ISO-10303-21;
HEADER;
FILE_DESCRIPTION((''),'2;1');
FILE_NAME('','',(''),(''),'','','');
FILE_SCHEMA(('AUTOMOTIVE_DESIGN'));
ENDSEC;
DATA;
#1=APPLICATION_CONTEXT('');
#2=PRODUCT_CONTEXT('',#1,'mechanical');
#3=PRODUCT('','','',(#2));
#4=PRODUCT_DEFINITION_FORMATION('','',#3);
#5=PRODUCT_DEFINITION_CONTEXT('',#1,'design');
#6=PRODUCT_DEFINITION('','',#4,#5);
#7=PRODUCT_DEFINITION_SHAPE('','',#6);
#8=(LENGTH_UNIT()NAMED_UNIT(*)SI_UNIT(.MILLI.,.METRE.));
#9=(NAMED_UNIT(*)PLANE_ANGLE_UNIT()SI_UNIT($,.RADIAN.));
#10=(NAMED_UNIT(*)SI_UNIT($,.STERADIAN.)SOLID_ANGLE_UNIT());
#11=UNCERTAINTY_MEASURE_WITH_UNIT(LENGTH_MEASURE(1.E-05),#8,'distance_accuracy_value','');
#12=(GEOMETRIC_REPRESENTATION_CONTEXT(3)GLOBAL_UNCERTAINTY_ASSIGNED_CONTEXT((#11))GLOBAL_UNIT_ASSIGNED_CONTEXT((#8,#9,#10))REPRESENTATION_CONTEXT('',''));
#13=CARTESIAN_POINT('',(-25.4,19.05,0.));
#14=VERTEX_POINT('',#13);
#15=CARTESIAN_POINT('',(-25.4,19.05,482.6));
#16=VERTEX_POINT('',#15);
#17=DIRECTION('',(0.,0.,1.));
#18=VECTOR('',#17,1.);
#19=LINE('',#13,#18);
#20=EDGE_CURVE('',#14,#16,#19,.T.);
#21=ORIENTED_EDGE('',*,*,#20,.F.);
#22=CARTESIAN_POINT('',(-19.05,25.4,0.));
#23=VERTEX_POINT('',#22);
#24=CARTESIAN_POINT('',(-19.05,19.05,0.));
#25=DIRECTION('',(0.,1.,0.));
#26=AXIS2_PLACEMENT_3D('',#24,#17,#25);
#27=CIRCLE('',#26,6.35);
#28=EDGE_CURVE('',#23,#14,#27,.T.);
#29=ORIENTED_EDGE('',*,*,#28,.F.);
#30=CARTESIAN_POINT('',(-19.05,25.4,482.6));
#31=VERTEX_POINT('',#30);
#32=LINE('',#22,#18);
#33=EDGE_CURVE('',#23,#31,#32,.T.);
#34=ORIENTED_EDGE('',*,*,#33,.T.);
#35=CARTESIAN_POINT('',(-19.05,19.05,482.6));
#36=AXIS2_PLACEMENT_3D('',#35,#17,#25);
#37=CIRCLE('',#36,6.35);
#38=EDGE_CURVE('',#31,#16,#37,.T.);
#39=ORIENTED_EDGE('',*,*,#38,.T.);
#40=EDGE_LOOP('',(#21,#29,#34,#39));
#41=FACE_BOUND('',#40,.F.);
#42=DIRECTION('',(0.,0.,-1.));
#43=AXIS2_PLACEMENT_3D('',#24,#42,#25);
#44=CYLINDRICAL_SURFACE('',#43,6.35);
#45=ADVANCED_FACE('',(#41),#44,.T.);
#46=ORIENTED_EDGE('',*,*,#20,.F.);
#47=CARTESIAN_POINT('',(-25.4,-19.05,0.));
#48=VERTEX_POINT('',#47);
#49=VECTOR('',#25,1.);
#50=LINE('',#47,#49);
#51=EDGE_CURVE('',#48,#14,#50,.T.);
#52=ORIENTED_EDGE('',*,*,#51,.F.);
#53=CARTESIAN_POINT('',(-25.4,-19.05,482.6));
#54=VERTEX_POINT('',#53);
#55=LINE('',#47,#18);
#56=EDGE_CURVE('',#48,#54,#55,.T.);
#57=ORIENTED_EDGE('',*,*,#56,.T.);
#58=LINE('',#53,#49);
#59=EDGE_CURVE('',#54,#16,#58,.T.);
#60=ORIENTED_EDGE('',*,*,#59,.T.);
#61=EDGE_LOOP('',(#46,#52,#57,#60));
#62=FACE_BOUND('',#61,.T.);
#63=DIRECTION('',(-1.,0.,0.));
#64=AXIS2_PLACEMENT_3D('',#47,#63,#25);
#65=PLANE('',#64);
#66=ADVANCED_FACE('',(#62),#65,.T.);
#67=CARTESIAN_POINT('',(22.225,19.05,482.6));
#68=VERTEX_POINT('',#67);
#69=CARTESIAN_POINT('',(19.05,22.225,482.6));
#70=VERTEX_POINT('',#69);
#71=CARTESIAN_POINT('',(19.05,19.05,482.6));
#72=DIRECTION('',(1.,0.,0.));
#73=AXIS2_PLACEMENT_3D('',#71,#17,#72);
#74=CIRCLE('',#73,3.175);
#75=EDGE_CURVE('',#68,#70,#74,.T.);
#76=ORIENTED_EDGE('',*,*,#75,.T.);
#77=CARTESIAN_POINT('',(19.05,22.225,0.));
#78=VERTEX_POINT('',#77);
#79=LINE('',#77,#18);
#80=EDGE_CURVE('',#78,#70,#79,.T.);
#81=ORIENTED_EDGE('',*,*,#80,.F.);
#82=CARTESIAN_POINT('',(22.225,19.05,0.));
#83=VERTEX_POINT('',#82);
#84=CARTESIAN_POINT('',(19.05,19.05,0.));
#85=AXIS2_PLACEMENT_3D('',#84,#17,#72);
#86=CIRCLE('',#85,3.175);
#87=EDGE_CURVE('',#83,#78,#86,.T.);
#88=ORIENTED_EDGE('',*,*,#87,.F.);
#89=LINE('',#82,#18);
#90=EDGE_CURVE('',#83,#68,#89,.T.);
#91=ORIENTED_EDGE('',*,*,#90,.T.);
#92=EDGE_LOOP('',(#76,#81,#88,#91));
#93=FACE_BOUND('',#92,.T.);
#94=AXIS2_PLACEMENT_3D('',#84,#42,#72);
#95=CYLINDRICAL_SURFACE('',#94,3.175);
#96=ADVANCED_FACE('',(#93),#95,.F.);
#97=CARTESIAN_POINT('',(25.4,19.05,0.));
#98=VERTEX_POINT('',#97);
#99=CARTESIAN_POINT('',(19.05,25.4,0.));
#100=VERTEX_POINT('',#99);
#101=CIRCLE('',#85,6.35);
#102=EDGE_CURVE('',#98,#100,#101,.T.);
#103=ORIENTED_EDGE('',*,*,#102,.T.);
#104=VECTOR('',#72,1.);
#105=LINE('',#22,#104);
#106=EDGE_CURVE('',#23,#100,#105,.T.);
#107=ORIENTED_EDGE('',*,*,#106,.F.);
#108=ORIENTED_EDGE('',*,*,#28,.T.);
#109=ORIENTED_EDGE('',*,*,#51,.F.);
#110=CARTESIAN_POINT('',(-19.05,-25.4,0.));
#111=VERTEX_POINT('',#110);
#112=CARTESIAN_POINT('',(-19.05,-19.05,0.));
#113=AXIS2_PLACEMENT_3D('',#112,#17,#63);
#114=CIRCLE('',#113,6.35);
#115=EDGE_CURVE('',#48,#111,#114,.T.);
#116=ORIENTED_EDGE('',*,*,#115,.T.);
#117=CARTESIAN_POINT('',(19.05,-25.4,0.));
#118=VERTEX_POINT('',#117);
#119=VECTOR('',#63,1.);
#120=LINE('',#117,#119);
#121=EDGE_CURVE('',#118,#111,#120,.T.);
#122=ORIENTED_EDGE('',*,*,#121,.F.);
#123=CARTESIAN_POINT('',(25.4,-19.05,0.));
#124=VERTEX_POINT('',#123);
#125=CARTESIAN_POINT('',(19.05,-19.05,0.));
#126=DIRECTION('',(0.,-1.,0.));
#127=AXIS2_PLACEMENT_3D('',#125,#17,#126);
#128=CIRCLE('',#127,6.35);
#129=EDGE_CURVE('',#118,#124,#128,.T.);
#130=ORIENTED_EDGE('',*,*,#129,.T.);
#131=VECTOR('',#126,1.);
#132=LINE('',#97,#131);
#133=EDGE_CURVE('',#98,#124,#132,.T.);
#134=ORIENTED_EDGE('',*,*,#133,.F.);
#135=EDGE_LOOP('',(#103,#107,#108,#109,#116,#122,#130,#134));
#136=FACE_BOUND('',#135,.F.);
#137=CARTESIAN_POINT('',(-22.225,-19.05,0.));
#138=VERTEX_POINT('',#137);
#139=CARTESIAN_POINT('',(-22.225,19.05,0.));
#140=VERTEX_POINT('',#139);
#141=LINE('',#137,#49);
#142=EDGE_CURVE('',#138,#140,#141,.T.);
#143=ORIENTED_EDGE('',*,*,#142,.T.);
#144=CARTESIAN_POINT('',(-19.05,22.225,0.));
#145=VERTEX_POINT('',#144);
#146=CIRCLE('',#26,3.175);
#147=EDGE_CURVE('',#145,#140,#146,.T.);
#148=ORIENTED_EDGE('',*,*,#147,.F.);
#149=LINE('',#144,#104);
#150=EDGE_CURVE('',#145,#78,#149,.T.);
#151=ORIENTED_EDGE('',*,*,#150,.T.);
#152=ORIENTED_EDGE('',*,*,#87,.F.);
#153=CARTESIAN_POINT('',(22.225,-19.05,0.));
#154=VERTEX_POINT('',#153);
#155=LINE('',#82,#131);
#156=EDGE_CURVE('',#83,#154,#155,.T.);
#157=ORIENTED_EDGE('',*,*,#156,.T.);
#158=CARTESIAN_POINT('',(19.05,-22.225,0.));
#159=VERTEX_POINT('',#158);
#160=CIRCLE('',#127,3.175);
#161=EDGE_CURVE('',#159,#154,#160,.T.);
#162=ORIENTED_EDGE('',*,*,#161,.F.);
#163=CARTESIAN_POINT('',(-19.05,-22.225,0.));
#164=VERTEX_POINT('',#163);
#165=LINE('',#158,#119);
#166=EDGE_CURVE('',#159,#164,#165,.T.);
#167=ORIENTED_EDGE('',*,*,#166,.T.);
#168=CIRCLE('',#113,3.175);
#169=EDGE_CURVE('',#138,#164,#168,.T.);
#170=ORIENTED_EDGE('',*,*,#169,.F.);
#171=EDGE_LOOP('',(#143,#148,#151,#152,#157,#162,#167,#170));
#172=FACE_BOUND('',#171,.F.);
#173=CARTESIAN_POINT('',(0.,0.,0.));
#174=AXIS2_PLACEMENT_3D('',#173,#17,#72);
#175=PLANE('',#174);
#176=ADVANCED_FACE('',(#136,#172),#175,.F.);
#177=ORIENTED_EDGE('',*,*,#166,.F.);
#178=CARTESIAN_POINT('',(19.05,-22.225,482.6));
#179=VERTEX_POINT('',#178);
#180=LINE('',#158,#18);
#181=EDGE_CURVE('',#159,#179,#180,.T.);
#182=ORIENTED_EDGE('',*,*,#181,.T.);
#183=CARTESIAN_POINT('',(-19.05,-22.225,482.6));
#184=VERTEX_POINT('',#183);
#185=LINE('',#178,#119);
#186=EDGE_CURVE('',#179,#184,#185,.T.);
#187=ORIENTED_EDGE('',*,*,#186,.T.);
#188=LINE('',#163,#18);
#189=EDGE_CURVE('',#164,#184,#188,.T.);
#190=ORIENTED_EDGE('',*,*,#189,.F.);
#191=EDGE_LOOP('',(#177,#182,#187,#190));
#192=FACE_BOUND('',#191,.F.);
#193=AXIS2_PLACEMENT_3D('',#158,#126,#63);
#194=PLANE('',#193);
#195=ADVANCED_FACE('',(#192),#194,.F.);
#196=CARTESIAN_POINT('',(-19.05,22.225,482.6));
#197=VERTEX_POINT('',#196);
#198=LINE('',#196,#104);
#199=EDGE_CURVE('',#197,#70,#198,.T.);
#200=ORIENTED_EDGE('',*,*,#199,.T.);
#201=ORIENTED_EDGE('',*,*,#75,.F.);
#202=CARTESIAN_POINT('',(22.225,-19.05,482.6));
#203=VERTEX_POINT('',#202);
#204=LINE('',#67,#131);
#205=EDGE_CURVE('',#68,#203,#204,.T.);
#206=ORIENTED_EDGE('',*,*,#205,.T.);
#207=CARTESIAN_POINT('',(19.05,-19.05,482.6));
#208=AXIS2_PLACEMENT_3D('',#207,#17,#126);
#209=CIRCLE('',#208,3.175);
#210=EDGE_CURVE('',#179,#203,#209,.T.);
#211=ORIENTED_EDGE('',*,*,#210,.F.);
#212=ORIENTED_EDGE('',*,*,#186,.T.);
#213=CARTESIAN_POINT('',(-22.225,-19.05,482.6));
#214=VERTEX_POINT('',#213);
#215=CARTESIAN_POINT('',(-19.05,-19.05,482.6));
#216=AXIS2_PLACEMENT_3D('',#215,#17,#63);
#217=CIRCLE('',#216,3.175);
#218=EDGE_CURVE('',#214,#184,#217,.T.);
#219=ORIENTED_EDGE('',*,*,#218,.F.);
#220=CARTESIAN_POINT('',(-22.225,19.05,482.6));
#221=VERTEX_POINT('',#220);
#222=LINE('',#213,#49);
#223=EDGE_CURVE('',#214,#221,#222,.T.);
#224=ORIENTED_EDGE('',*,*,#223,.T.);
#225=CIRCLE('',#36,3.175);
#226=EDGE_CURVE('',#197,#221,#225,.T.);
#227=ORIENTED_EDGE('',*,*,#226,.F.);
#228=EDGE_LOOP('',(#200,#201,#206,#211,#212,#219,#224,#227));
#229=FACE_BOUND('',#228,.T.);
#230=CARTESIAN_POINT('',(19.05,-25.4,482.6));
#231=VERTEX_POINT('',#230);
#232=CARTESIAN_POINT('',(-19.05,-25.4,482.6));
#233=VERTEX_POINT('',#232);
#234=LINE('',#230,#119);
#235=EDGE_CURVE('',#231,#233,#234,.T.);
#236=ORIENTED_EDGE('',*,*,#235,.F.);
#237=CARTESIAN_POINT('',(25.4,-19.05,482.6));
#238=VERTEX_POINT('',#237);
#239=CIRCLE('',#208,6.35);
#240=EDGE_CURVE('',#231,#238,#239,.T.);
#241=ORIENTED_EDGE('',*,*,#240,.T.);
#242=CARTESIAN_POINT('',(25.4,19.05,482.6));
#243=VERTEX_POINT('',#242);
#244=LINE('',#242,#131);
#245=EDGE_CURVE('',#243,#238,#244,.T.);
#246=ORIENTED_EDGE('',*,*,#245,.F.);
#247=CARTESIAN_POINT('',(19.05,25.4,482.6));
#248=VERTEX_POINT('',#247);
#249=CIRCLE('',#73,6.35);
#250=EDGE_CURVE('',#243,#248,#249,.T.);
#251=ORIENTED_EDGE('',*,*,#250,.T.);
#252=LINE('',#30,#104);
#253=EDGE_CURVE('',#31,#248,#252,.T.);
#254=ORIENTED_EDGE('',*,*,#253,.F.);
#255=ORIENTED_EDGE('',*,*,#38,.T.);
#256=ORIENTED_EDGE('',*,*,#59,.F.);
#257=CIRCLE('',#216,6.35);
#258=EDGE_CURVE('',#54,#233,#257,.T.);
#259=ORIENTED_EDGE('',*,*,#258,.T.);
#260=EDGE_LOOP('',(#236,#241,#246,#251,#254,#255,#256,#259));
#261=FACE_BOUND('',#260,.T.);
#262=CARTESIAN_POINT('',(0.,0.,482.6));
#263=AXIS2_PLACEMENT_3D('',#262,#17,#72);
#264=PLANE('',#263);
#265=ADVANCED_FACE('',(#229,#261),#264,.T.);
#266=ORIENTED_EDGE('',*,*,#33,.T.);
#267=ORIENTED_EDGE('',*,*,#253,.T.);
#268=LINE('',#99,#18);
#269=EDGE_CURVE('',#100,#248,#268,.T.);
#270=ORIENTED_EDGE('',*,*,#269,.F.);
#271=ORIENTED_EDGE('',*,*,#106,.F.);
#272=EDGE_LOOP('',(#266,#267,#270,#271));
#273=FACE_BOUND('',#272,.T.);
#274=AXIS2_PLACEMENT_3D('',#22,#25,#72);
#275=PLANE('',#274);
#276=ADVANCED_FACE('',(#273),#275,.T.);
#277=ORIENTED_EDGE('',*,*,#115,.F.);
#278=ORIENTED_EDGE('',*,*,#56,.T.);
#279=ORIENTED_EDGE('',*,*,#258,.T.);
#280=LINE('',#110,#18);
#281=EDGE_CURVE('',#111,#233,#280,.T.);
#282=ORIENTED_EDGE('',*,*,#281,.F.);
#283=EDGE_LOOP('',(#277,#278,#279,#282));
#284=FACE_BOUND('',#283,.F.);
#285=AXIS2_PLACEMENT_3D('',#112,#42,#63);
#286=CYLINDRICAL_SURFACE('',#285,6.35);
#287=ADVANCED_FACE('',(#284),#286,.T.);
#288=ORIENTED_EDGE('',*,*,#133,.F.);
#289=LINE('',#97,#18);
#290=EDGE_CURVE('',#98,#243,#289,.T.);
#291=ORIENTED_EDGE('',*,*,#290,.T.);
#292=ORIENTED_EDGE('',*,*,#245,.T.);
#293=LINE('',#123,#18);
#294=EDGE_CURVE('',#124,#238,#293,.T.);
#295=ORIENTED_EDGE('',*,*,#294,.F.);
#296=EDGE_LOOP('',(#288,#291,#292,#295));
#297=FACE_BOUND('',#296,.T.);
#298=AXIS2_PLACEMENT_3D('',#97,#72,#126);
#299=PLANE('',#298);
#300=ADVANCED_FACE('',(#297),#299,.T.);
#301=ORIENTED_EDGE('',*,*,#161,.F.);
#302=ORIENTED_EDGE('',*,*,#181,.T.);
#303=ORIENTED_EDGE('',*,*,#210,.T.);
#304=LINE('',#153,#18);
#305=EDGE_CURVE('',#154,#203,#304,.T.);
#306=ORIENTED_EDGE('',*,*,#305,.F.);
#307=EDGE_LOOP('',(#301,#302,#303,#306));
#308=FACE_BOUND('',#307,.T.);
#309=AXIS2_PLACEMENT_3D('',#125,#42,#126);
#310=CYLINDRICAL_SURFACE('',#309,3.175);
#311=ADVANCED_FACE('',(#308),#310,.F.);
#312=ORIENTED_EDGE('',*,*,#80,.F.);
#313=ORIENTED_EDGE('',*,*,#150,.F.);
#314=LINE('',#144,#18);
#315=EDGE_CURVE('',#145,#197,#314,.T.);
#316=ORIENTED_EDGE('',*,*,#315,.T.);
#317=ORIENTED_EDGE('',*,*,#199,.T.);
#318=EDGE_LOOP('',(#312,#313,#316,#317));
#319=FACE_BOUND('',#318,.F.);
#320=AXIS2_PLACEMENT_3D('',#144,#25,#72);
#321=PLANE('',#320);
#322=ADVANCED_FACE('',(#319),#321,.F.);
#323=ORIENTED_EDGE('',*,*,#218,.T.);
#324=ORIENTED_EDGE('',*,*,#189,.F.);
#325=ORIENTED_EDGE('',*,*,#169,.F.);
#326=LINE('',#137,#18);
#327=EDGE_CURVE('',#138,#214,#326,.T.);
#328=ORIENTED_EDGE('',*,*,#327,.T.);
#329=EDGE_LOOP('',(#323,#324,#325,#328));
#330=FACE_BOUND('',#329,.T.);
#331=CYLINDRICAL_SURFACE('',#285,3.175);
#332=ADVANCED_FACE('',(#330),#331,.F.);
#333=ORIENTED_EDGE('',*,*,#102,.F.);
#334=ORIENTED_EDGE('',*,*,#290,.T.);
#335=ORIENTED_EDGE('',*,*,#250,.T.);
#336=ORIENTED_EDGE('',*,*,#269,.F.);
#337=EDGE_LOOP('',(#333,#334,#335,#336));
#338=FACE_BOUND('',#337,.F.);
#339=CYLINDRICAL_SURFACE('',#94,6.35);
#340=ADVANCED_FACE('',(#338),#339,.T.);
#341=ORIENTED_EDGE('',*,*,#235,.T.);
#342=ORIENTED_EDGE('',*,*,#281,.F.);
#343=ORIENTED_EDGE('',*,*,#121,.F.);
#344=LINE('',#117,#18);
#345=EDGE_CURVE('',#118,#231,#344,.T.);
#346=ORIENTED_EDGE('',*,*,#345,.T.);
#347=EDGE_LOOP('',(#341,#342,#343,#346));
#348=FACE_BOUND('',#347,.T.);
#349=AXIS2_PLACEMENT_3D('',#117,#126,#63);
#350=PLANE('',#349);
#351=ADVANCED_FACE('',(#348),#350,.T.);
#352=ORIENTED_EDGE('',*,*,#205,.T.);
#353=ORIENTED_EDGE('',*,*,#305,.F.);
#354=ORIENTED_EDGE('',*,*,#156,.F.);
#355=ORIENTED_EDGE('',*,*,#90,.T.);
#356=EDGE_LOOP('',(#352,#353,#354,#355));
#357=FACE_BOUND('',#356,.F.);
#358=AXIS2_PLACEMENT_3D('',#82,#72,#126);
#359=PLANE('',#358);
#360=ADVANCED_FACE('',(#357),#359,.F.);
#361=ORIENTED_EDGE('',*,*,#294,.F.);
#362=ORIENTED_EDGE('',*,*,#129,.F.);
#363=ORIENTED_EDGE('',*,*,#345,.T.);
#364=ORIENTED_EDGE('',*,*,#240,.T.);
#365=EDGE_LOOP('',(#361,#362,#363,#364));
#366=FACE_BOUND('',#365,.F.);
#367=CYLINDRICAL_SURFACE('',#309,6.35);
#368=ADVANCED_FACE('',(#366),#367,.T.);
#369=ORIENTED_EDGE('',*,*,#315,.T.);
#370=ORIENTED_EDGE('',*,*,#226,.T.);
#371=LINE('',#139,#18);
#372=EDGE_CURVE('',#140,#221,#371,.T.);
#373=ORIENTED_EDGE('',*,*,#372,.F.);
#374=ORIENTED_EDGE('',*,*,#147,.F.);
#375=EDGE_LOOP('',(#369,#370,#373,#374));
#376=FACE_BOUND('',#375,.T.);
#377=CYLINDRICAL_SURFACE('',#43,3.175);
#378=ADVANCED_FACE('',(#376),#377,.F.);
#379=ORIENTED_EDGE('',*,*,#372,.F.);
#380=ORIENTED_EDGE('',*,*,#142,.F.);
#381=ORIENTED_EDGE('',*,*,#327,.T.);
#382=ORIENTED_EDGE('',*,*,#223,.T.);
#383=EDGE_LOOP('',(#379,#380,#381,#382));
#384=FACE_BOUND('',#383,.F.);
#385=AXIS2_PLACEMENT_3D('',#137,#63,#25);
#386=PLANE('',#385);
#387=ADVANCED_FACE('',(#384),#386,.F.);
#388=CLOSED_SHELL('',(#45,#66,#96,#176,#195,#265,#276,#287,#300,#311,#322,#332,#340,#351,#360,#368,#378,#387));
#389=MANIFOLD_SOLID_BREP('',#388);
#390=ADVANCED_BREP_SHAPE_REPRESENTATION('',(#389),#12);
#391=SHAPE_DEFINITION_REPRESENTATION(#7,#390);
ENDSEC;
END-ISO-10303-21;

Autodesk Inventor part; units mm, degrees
ref_plane "YZ Plane" through (0, 0, 0) normal (1, 0, 0) x (0, 1, 0)
ref_plane "Start Plane" through (0, 0, 0) normal (0, 0, 1) x (1, 0, 0)
ref_plane "End Plane" through (0, 0, 482.6) normal (0, 0, 1) x (1, 0, 0)
sketch "Sketch" plane through (0, 0, 0) normal (0, 0, 1) x (1, 0, 0)
  line L0 (-25.4, -19.05) -> (-25.4, 19.05)
  line L1 (-19.05, 25.4) -> (19.05, 25.4)
  line L2 (25.4, 19.05) -> (25.4, -19.05)
  line L3 (19.05, -25.4) -> (-19.05, -25.4)
  arc A0 (-25.4, -19.05) -> (-19.05, -25.4) centre (-19.05, -19.05) ccw
  arc A1 (-19.05, 25.4) -> (-25.4, 19.05) centre (-19.05, 19.05) ccw
  arc A2 (25.4, 19.05) -> (19.05, 25.4) centre (19.05, 19.05) ccw
  arc A3 (19.05, -25.4) -> (25.4, -19.05) centre (19.05, -19.05) ccw
  arc A4 (-19.05, 22.225) -> (-22.225, 19.05) centre (-19.05, 19.05) ccw
  line L4 (-19.05, 22.225) -> (19.05, 22.225)
  arc A5 (22.225, 19.05) -> (19.05, 22.225) centre (19.05, 19.05) ccw
  line L5 (22.225, 19.05) -> (22.225, -19.05)
  arc A6 (19.05, -22.225) -> (22.225, -19.05) centre (19.05, -19.05) ccw
  line L6 (19.05, -22.225) -> (-19.05, -22.225)
  arc A7 (-22.225, -19.05) -> (-19.05, -22.225) centre (-19.05, -19.05) ccw
  line L7 (-22.225, -19.05) -> (-22.225, 19.05)
  line L8 (0, 37.4012) -> (0, -37.4012) construction
  line L9 (-37.4012, 0) -> (37.4012, 0) construction
  dimension "d10" = 50.8
  dimension "d11" = 50.8
  dimension "d12" = 3.175
  dimension "d15" = 25.4
  dimension "d16" = 25.4
  dimension "d17" = 6.35
extrude "Body" add sketch "Sketch" along normal up to surface (482.6 mm away) from surface at 0
sketch "Sketch3" plane through (0, 0, 0) normal (0, 0, 1) x (1, 0, 0)
  line L0 (0, 0) -> (10, 0)
ref_plane "Work Plane3" through (0, 0, 0) normal (0, -1, 0) x (1, 0, 0)
sketch "Sketch4" plane through (0, 0, 0) normal (0, -1, 0) x (1, 0, 0)
  line L0 (-2, 0) -> (12, 0)
  line L1 (-2, 482.6) -> (12, 482.6)
  dimension "d19" = 482.6
equation "\"d10\" = G_H"
equation "\"d11\" = G_W"
equation "\"d12\" = G_T"
equation "\"d15\" = 0.5 * d10"
equation "\"d16\" = 0.5 * d11"
equation "\"d17\" = G_IR"
equation "\"d3\" = G_L"
equation "\"G_W\" = 50.8"
equation "\"G_H\" = 50.8"
equation "\"G_T\" = 3.175"
equation "\"G_IR\" = 6.35"
equation "\"G_L\" = d19"
equation "\"G_OFFSET_START\" = 0"
equation "\"G_OFFSET_END\" = -25.4"
equation "\"d14\" = G_OFFSET_END + B_L"
equation "\"B_L\" = 508"
properties part number "AISC - 2 x 2 x 1/8 - 19" material "Steel, Mild"
